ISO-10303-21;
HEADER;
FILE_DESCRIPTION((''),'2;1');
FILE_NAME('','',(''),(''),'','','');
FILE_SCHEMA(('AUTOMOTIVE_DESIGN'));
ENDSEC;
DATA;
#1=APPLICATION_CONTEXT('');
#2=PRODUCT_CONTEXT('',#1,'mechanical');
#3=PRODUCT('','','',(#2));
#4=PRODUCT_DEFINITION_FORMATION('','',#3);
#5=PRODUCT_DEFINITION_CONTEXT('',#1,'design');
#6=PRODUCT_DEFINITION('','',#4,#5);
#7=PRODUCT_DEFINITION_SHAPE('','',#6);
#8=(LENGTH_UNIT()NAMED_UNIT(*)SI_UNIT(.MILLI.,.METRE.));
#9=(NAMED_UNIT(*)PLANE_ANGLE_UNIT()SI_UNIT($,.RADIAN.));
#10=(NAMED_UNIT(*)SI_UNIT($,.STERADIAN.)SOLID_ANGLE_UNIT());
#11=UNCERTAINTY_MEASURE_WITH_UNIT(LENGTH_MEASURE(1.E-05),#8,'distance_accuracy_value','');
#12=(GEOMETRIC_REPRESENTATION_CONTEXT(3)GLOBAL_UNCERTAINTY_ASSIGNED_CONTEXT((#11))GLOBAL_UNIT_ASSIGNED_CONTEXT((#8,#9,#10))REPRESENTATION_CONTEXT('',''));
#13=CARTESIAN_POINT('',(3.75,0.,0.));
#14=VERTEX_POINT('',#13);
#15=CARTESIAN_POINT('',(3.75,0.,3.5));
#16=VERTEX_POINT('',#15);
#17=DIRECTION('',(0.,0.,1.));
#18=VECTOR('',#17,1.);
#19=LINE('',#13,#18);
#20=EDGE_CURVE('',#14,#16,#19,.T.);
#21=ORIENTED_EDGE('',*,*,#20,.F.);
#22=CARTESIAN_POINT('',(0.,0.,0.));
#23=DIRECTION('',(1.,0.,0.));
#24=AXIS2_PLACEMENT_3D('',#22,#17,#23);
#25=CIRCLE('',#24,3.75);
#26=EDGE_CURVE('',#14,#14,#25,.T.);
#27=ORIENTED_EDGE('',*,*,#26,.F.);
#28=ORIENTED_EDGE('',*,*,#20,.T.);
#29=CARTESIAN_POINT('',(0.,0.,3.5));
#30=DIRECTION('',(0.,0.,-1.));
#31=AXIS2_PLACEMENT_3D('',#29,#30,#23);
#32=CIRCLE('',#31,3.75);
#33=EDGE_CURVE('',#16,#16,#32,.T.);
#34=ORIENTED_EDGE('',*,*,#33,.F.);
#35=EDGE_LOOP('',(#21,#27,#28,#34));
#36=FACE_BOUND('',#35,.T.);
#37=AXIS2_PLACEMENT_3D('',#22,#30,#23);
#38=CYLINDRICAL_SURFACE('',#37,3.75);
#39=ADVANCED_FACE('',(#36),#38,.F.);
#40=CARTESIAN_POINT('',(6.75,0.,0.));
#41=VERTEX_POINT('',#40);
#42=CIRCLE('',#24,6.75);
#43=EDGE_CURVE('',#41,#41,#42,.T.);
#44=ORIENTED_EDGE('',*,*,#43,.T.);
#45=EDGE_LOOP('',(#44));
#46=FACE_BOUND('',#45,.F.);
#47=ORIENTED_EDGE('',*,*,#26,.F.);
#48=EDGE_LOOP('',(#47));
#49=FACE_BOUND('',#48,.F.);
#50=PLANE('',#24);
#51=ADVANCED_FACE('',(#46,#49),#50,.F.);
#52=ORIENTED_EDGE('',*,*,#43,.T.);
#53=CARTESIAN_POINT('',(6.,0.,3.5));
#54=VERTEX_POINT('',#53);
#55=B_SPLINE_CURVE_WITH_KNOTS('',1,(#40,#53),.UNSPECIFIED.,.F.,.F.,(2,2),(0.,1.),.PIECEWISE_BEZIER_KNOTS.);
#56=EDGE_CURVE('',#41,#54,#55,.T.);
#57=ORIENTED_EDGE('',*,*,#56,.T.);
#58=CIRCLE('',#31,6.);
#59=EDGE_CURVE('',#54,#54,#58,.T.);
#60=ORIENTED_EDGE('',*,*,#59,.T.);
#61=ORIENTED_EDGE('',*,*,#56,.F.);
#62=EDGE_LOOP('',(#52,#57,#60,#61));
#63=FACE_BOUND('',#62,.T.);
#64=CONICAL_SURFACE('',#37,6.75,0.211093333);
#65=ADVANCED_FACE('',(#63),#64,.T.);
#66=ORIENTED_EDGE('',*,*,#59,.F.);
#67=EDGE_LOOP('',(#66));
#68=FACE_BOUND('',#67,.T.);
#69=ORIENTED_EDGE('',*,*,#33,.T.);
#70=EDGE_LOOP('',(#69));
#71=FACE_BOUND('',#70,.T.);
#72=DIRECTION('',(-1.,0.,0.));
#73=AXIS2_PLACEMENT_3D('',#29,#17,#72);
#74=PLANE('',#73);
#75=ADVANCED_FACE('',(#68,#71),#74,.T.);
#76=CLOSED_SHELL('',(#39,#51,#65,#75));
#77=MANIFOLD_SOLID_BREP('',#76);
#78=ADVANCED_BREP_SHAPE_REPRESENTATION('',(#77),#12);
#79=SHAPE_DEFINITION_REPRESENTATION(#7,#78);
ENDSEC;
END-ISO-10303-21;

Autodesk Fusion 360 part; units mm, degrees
sketch "Esquisse1" plane through (0, 0, 0) normal (0, 0, 1) x (1, 0, 0)
  circle A0 centre (0, 0) radius 6.75
  dimension "d1" = 13.5
extrude "Extrusion1" add sketch "Esquisse1" along normal blind 3.5 makes body 1
sketch "Esquisse2" plane through (0, 0, 3.5) normal (0, 0, 1) x (-1, 0, 0)
  circle A0 centre (0, 0) radius 6.75
  circle A1 centre (0, 0) radius 6
  dimension "d4" = 12
loft "Lissage1" add profiles "Esquisse1", "Esquisse2" section 1 section 2 contours A1 separate body makes body 2
sketch "Esquisse3" plane through (0, 0, 0) normal (0, 0, 1) x (1, 0, 0)
  circle A0 centre (0, 0) radius 3.375
  dimension "d5" = 6.75
extrude "Extrusion2" cut sketch "Esquisse3" along normal blind 33 bodies 2
sketch "Esquisse4" plane through (0, 0, 0) normal (0, 0, 1) x (1, 0, 0)
  circle A0 centre (0, 0) radius 3.75
  dimension "d8" = 7.5
extrude "Extrusion3" cut sketch "Esquisse4" along normal blind 23 bodies 2
hidden bodies 1
